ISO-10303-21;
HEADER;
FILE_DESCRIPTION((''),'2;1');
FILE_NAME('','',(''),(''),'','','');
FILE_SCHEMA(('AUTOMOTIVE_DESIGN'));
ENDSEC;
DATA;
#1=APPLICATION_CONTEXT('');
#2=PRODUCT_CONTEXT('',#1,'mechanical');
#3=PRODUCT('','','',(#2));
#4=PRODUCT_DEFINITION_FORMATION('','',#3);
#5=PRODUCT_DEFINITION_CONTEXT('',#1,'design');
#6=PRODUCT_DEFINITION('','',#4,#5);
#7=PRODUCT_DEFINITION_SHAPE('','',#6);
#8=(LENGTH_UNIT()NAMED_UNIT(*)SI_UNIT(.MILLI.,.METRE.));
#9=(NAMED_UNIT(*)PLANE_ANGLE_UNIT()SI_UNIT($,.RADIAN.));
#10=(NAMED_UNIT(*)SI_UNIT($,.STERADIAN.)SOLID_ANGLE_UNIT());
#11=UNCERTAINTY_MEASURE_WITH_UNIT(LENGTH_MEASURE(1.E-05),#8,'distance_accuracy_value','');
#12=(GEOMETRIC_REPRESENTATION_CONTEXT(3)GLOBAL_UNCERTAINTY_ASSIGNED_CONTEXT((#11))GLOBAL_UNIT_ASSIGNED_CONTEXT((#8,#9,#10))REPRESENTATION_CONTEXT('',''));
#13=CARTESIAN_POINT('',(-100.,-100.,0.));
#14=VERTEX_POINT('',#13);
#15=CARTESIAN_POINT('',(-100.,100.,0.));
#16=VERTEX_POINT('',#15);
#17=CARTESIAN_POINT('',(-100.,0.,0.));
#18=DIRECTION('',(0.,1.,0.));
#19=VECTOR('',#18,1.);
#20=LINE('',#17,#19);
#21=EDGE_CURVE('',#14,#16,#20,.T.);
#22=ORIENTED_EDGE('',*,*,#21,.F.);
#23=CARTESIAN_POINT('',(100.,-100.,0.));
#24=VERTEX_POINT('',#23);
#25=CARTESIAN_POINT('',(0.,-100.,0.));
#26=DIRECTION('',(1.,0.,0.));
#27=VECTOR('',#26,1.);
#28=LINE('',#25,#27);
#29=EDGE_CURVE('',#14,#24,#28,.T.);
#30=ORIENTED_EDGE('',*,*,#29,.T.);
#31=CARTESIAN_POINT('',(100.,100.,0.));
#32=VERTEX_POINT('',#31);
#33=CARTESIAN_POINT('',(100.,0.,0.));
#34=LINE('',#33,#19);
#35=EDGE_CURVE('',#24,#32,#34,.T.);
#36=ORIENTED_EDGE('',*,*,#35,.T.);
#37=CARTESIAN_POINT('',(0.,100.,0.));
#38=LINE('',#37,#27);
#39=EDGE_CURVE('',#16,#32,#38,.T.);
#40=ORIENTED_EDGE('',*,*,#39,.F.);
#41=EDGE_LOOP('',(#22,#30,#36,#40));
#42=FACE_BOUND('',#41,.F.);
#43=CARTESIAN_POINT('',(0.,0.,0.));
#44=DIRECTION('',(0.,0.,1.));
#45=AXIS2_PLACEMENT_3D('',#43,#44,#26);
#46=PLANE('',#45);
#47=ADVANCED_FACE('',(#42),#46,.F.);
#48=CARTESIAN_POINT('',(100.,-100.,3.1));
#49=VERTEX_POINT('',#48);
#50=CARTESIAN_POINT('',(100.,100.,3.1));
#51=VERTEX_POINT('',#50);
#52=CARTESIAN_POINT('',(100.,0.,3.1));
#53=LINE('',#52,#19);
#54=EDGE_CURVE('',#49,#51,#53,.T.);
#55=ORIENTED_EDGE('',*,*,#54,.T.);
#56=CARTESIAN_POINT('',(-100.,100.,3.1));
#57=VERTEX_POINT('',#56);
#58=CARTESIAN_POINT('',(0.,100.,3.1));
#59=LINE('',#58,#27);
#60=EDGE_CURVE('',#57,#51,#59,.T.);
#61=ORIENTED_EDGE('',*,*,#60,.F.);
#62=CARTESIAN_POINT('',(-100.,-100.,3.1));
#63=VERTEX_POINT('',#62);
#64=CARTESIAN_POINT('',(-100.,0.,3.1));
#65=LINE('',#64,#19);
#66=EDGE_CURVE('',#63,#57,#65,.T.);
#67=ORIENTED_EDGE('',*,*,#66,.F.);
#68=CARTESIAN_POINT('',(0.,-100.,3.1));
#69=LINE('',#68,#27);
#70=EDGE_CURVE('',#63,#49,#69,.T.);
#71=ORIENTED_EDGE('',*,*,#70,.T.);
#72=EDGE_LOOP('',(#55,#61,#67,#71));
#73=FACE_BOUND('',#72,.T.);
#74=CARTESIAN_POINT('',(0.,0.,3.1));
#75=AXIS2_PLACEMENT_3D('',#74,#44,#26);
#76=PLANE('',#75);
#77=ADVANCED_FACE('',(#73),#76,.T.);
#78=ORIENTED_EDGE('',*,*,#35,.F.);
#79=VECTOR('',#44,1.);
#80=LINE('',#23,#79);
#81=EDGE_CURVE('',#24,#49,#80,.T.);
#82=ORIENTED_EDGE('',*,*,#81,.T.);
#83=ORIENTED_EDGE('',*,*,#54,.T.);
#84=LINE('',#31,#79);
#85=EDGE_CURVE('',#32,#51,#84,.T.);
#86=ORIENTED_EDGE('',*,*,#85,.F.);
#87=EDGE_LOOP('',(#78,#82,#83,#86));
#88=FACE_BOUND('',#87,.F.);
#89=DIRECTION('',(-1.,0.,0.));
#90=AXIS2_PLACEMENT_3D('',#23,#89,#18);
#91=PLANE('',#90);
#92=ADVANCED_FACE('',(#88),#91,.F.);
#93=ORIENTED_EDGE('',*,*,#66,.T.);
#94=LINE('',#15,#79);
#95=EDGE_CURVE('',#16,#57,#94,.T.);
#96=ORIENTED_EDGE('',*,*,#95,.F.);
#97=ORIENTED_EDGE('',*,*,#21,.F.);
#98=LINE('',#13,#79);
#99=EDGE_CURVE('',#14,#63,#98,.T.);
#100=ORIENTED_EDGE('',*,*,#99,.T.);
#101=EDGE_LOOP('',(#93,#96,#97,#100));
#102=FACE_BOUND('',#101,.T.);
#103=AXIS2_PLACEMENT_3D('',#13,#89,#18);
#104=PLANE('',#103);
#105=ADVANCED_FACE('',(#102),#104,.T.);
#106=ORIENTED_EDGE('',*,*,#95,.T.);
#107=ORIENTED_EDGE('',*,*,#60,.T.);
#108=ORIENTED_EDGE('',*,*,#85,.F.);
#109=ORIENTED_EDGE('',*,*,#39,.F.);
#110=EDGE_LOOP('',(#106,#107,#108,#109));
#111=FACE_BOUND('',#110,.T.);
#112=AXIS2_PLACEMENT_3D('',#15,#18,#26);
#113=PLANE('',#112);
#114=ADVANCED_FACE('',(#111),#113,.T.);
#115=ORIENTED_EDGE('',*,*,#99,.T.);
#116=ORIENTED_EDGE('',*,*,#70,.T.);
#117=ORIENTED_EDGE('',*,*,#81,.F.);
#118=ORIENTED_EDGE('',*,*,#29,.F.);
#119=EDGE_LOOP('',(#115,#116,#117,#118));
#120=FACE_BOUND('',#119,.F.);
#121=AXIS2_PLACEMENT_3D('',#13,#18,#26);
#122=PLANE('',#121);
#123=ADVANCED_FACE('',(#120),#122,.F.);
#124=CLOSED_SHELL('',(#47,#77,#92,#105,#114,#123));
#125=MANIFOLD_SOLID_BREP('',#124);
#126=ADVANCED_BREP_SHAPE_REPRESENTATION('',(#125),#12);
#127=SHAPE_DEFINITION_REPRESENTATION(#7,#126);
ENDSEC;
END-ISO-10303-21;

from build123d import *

# Parameters (mm, degrees)
SKETCH_W  = 200
SKETCH_H  = 200
PAD_DEPTH = 3.1


with BuildPart() as part:
    # Sketch → Pad (new body)
    with BuildSketch(Plane.XY):
        Rectangle(SKETCH_W, SKETCH_H)
    extrude(amount=PAD_DEPTH)


solid = part.part
